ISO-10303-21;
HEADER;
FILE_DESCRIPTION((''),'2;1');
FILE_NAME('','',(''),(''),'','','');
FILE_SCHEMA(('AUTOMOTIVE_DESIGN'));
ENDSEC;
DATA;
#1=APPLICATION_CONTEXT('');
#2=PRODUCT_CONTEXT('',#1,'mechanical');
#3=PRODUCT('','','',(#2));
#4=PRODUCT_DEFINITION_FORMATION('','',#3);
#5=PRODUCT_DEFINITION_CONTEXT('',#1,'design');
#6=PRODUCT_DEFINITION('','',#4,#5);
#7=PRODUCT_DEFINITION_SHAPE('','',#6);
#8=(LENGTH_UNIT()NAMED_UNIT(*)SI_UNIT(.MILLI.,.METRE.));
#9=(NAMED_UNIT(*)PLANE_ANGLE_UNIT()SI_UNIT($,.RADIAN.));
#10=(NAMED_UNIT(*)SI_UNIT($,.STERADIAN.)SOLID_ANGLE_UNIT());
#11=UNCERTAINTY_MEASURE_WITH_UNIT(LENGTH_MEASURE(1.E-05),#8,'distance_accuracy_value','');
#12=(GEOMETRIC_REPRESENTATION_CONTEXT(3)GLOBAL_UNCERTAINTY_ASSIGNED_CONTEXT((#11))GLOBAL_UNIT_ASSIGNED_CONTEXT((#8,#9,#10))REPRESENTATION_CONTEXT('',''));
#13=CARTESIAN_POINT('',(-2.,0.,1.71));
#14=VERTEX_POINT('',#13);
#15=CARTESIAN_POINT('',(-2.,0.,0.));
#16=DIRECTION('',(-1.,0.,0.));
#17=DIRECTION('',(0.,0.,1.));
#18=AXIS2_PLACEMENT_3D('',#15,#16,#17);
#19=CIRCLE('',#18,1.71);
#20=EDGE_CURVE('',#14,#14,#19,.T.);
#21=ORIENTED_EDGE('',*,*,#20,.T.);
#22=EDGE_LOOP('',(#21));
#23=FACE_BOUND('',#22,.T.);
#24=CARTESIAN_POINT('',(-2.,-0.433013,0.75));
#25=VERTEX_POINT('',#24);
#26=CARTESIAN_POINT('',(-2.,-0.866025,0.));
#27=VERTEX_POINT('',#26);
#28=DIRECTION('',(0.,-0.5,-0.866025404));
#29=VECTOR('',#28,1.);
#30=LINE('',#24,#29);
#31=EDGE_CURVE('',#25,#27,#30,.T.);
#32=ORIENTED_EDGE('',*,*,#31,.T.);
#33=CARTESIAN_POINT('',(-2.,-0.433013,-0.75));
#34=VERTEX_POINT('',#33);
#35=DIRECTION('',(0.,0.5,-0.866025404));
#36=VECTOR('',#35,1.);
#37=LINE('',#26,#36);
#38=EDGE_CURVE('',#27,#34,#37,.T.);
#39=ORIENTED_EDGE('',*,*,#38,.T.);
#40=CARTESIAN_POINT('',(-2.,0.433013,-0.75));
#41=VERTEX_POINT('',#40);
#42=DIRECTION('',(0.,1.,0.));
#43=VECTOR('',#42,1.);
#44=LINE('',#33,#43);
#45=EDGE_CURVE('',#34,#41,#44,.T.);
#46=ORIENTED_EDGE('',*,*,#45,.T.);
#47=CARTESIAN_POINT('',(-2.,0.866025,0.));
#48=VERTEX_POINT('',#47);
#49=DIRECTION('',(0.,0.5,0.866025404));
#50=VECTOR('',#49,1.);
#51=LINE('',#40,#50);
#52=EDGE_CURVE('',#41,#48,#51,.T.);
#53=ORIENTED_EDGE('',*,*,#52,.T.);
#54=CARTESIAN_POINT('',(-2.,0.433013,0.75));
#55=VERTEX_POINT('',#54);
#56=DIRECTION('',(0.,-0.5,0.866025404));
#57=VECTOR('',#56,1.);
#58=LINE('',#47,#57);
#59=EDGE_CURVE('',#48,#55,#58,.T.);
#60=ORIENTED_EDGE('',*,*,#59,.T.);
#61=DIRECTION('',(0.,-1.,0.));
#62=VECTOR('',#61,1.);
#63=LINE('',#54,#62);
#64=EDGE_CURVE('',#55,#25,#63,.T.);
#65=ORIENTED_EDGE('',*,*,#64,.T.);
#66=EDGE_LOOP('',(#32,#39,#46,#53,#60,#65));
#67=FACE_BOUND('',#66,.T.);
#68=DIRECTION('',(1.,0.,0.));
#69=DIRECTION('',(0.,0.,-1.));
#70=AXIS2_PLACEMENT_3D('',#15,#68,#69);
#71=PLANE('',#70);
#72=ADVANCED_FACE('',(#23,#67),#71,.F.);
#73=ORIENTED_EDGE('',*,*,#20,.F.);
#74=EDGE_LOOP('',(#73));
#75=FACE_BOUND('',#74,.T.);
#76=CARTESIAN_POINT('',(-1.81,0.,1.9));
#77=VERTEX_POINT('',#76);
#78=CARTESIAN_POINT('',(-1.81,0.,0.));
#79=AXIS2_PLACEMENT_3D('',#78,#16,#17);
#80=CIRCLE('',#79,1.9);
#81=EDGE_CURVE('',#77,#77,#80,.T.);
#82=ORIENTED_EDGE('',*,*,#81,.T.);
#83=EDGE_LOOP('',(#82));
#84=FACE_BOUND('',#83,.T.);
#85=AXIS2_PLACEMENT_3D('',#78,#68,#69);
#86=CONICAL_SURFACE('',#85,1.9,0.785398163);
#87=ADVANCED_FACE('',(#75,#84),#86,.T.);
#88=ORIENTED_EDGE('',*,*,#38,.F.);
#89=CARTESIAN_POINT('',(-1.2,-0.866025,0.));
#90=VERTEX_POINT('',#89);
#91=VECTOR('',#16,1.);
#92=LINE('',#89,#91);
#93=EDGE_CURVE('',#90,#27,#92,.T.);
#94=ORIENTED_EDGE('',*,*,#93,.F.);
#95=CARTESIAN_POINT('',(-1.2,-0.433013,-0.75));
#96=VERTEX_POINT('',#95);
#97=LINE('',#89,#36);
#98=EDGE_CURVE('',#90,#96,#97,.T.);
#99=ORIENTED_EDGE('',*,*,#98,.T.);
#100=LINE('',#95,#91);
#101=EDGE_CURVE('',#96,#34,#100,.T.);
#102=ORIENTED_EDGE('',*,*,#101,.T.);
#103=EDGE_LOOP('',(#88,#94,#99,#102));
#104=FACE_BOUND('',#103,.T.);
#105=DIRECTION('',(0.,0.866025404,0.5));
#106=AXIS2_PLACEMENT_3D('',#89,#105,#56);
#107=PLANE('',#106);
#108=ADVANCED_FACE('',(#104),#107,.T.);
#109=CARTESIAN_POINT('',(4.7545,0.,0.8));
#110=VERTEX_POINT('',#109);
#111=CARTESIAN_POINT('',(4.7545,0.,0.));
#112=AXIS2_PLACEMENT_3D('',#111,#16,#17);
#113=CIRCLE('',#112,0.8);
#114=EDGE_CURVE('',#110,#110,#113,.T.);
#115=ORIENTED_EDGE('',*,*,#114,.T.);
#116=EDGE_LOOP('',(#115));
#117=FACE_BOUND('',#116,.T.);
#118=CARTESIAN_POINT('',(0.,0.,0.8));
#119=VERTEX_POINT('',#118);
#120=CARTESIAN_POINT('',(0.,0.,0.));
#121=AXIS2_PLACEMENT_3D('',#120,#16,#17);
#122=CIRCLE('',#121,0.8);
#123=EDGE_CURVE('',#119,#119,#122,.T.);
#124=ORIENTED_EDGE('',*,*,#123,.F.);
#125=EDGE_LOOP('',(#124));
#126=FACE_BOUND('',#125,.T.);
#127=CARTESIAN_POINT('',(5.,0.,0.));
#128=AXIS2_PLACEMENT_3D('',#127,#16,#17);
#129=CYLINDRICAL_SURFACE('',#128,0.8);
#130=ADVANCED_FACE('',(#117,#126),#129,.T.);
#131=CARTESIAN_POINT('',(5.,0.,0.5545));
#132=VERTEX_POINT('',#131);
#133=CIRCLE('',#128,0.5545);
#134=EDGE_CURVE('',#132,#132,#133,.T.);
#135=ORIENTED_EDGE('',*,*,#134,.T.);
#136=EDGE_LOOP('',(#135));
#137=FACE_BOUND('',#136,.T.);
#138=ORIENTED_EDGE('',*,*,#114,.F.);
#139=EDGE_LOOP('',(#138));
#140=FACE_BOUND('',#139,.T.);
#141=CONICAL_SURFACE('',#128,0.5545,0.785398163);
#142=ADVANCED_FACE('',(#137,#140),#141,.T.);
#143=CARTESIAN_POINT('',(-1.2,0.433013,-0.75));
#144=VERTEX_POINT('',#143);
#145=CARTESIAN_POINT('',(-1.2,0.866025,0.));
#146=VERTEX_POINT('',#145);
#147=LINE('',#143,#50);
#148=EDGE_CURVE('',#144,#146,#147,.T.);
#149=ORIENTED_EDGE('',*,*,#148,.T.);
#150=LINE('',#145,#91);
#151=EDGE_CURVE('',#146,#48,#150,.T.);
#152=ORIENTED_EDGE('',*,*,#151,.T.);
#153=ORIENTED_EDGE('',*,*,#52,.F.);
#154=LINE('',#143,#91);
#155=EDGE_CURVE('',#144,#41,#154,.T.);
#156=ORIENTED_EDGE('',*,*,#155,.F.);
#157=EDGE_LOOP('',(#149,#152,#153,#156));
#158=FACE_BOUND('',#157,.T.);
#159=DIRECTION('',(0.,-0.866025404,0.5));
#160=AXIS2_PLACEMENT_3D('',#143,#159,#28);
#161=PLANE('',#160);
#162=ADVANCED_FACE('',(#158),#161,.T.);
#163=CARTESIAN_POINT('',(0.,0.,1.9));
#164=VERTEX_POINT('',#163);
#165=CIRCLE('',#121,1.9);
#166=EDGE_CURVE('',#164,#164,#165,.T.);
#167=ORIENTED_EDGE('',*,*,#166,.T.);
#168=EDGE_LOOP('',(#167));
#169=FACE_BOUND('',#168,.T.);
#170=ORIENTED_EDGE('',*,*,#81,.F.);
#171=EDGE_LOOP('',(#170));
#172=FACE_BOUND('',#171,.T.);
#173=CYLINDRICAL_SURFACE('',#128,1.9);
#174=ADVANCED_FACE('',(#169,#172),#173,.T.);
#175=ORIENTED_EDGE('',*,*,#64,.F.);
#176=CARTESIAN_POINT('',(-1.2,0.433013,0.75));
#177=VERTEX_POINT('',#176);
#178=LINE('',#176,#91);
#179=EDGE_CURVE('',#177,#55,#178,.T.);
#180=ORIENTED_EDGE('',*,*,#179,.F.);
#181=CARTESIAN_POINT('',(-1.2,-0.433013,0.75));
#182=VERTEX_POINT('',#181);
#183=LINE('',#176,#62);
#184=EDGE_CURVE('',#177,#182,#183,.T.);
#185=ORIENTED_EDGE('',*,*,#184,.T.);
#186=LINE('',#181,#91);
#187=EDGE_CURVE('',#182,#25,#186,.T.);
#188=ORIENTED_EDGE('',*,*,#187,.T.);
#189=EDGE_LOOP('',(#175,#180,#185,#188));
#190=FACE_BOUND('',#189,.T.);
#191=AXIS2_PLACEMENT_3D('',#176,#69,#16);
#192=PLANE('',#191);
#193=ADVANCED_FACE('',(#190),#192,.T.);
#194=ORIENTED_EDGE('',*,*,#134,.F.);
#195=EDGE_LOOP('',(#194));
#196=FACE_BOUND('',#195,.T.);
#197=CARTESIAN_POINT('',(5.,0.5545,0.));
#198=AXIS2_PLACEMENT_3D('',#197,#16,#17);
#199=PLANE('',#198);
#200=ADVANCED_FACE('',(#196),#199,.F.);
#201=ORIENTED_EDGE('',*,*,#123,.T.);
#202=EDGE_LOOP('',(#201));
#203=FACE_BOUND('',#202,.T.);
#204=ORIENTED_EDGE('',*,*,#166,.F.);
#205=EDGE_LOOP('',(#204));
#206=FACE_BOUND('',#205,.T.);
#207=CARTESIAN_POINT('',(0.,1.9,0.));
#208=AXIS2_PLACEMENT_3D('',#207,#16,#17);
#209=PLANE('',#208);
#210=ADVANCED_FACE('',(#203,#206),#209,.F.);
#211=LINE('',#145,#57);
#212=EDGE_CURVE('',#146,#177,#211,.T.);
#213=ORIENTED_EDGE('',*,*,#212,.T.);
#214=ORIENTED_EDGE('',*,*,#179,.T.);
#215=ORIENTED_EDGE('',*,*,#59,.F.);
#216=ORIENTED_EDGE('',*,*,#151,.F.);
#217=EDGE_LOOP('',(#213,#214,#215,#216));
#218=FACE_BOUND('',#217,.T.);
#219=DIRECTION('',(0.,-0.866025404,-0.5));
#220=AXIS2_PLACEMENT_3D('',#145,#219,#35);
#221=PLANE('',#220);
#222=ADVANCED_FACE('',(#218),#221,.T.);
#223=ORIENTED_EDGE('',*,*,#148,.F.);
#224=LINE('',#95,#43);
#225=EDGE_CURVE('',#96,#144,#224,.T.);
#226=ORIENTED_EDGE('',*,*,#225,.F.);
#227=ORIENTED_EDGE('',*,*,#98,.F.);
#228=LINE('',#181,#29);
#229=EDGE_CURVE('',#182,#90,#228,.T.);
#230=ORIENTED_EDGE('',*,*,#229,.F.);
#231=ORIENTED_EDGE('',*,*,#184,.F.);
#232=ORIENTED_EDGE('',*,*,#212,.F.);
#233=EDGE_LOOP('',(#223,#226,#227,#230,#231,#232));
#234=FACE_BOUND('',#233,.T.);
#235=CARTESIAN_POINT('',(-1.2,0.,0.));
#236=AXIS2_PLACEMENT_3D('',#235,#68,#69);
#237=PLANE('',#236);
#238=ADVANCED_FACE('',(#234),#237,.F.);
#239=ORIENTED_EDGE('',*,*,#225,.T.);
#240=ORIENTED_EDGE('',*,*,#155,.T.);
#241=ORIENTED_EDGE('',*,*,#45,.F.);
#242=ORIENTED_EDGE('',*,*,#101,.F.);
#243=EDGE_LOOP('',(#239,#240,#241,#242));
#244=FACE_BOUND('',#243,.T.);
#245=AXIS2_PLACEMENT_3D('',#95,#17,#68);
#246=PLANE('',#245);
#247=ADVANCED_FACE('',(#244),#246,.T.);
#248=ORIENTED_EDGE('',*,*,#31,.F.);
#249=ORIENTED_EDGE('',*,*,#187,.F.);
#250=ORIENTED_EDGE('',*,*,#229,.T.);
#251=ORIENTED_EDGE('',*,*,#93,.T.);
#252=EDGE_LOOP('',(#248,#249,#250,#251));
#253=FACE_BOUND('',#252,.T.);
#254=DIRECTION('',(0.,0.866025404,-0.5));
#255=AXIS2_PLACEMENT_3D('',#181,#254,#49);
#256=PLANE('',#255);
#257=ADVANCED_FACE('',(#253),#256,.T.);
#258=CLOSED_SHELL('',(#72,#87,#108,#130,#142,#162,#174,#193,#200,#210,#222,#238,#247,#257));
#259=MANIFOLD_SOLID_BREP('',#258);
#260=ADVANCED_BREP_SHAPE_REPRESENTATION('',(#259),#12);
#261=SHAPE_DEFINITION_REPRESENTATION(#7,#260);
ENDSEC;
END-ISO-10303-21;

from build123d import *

# Parameters (mm, degrees)
CUT_EXTRUDE1_DEPTH = 0.8


with BuildPart() as part:
    # Sketch1 → Revolve1 (revolve)
    with BuildSketch(Plane.XY):
        Polygon((-2, 0), (-2, 1.71), (-1.81, 1.9), (0, 1.9), (0, 0.8), (4.7545, 0.8), (5, 0.5545), (5, 0), align=None)
    revolve(axis=Axis((5, 0, 0), (-1, 0, 0)))

    # Sketch2 → Cut-Extrude1 (cut)
    with BuildSketch(Plane(origin=(-2, 0, 0), x_dir=(0, 0, -1), z_dir=(1, 0, 0))):
        Polygon((-0.75, -0.433012702), (0, -0.866025404), (0.75, -0.433012702), (0.75, 0.433012702), (0, 0.866025404), (-0.75, 0.433012702), align=None)
    extrude(amount=CUT_EXTRUDE1_DEPTH, mode=Mode.SUBTRACT)


solid = part.part
